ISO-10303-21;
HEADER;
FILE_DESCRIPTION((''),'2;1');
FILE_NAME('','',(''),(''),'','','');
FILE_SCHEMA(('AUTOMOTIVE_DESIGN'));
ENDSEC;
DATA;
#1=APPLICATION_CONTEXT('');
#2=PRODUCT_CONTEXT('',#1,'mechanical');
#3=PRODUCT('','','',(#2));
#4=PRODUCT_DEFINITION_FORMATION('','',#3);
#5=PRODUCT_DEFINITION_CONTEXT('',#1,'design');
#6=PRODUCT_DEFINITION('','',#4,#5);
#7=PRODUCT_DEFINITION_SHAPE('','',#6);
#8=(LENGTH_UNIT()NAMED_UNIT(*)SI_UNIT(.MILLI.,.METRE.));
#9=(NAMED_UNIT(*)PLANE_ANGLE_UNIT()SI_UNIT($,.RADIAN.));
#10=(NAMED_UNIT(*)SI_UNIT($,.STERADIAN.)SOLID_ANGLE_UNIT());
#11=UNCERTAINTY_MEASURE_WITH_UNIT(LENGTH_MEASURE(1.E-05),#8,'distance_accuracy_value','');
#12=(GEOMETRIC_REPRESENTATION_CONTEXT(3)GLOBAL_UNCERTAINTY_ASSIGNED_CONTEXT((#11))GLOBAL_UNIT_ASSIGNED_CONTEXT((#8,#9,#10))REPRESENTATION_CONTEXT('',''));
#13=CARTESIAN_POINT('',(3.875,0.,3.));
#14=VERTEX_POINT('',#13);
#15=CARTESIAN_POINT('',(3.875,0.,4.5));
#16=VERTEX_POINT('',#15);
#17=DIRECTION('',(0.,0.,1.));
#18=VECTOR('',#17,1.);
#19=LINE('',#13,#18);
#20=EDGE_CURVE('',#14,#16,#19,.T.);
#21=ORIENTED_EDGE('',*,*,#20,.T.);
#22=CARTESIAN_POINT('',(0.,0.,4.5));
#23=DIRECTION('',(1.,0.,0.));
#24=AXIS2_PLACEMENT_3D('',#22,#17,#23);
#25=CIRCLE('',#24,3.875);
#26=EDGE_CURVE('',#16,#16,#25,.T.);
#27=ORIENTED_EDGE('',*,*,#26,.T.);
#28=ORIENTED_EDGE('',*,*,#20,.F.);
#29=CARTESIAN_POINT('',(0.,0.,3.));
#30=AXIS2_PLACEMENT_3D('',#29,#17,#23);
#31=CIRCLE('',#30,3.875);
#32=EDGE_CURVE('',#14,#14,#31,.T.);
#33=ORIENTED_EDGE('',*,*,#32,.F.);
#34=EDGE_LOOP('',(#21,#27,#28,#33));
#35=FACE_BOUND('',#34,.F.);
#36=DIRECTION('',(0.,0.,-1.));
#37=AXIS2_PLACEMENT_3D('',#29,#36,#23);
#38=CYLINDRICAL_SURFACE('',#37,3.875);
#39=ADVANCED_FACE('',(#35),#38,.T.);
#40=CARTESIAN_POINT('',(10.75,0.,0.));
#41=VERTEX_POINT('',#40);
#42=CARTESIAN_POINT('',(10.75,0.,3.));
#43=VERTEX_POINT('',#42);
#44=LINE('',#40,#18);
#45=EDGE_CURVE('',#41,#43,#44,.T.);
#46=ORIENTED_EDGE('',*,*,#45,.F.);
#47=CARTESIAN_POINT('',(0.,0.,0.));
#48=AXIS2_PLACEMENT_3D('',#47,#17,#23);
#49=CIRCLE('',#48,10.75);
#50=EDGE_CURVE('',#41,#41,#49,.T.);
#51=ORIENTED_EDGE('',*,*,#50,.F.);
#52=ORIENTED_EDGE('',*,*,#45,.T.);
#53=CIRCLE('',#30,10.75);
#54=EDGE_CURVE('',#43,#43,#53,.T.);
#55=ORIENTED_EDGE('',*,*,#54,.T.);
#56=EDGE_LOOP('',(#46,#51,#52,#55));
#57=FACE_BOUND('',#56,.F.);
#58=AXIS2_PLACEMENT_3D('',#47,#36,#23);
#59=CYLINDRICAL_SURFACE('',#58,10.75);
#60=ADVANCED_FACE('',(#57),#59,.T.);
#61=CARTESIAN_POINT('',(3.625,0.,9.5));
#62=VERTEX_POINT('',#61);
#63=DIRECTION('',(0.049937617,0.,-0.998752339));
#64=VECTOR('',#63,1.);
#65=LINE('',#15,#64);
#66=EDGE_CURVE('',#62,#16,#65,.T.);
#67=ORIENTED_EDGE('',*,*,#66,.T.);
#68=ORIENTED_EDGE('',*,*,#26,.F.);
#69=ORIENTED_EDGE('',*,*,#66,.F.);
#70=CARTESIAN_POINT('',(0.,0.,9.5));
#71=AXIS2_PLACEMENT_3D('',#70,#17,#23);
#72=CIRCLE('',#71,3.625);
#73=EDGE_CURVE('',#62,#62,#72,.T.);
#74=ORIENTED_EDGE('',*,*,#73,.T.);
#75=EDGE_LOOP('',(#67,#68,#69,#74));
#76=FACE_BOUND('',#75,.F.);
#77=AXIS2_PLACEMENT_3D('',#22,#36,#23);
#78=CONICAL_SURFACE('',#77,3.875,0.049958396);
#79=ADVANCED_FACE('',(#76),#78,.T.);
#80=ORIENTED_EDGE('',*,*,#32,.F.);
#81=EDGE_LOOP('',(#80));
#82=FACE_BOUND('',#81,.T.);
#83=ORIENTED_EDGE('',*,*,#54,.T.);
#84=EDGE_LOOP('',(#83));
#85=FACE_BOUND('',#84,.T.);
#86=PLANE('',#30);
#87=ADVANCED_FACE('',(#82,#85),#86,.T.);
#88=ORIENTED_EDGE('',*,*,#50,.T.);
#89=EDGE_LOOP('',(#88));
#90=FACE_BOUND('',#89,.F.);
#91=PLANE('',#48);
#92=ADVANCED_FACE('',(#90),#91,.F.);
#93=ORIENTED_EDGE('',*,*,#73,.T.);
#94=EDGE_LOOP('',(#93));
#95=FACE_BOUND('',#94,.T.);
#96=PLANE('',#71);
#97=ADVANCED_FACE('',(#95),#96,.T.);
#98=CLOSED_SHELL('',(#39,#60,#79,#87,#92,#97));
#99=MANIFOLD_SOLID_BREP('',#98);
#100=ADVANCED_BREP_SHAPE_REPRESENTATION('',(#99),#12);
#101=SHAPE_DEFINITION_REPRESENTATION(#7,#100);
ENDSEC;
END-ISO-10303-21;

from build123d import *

# Parameters (mm, degrees)
F0_R     = 10.75
F1_DEPTH = 3
F2_R     = 3.875
F3_DEPTH = 6.5
F4_SIZE2 = 5
F4_SIZE  = 0.25


with BuildPart() as f1:
    # F0 (on Top) → F1 (new body)
    with BuildSketch(Plane.XY):
        Circle(F0_R)
    extrude(amount=F1_DEPTH)

    # F2 (on face) → F3 (join)
    with BuildSketch(Plane.XY.offset(3)):
        Circle(F2_R)
    extrude(amount=F3_DEPTH)

    # F4
    f4_edges = [f1.edges().sort_by_distance(p)[0] for p in [
        (-3.875, 0, 9.5),
    ]]
    f4_side = f1.faces().sort_by_distance((0, 0, 9.5))[0]
    chamfer(f4_edges, length=F4_SIZE, length2=F4_SIZE2, reference=f4_side)


solid = f1.part
